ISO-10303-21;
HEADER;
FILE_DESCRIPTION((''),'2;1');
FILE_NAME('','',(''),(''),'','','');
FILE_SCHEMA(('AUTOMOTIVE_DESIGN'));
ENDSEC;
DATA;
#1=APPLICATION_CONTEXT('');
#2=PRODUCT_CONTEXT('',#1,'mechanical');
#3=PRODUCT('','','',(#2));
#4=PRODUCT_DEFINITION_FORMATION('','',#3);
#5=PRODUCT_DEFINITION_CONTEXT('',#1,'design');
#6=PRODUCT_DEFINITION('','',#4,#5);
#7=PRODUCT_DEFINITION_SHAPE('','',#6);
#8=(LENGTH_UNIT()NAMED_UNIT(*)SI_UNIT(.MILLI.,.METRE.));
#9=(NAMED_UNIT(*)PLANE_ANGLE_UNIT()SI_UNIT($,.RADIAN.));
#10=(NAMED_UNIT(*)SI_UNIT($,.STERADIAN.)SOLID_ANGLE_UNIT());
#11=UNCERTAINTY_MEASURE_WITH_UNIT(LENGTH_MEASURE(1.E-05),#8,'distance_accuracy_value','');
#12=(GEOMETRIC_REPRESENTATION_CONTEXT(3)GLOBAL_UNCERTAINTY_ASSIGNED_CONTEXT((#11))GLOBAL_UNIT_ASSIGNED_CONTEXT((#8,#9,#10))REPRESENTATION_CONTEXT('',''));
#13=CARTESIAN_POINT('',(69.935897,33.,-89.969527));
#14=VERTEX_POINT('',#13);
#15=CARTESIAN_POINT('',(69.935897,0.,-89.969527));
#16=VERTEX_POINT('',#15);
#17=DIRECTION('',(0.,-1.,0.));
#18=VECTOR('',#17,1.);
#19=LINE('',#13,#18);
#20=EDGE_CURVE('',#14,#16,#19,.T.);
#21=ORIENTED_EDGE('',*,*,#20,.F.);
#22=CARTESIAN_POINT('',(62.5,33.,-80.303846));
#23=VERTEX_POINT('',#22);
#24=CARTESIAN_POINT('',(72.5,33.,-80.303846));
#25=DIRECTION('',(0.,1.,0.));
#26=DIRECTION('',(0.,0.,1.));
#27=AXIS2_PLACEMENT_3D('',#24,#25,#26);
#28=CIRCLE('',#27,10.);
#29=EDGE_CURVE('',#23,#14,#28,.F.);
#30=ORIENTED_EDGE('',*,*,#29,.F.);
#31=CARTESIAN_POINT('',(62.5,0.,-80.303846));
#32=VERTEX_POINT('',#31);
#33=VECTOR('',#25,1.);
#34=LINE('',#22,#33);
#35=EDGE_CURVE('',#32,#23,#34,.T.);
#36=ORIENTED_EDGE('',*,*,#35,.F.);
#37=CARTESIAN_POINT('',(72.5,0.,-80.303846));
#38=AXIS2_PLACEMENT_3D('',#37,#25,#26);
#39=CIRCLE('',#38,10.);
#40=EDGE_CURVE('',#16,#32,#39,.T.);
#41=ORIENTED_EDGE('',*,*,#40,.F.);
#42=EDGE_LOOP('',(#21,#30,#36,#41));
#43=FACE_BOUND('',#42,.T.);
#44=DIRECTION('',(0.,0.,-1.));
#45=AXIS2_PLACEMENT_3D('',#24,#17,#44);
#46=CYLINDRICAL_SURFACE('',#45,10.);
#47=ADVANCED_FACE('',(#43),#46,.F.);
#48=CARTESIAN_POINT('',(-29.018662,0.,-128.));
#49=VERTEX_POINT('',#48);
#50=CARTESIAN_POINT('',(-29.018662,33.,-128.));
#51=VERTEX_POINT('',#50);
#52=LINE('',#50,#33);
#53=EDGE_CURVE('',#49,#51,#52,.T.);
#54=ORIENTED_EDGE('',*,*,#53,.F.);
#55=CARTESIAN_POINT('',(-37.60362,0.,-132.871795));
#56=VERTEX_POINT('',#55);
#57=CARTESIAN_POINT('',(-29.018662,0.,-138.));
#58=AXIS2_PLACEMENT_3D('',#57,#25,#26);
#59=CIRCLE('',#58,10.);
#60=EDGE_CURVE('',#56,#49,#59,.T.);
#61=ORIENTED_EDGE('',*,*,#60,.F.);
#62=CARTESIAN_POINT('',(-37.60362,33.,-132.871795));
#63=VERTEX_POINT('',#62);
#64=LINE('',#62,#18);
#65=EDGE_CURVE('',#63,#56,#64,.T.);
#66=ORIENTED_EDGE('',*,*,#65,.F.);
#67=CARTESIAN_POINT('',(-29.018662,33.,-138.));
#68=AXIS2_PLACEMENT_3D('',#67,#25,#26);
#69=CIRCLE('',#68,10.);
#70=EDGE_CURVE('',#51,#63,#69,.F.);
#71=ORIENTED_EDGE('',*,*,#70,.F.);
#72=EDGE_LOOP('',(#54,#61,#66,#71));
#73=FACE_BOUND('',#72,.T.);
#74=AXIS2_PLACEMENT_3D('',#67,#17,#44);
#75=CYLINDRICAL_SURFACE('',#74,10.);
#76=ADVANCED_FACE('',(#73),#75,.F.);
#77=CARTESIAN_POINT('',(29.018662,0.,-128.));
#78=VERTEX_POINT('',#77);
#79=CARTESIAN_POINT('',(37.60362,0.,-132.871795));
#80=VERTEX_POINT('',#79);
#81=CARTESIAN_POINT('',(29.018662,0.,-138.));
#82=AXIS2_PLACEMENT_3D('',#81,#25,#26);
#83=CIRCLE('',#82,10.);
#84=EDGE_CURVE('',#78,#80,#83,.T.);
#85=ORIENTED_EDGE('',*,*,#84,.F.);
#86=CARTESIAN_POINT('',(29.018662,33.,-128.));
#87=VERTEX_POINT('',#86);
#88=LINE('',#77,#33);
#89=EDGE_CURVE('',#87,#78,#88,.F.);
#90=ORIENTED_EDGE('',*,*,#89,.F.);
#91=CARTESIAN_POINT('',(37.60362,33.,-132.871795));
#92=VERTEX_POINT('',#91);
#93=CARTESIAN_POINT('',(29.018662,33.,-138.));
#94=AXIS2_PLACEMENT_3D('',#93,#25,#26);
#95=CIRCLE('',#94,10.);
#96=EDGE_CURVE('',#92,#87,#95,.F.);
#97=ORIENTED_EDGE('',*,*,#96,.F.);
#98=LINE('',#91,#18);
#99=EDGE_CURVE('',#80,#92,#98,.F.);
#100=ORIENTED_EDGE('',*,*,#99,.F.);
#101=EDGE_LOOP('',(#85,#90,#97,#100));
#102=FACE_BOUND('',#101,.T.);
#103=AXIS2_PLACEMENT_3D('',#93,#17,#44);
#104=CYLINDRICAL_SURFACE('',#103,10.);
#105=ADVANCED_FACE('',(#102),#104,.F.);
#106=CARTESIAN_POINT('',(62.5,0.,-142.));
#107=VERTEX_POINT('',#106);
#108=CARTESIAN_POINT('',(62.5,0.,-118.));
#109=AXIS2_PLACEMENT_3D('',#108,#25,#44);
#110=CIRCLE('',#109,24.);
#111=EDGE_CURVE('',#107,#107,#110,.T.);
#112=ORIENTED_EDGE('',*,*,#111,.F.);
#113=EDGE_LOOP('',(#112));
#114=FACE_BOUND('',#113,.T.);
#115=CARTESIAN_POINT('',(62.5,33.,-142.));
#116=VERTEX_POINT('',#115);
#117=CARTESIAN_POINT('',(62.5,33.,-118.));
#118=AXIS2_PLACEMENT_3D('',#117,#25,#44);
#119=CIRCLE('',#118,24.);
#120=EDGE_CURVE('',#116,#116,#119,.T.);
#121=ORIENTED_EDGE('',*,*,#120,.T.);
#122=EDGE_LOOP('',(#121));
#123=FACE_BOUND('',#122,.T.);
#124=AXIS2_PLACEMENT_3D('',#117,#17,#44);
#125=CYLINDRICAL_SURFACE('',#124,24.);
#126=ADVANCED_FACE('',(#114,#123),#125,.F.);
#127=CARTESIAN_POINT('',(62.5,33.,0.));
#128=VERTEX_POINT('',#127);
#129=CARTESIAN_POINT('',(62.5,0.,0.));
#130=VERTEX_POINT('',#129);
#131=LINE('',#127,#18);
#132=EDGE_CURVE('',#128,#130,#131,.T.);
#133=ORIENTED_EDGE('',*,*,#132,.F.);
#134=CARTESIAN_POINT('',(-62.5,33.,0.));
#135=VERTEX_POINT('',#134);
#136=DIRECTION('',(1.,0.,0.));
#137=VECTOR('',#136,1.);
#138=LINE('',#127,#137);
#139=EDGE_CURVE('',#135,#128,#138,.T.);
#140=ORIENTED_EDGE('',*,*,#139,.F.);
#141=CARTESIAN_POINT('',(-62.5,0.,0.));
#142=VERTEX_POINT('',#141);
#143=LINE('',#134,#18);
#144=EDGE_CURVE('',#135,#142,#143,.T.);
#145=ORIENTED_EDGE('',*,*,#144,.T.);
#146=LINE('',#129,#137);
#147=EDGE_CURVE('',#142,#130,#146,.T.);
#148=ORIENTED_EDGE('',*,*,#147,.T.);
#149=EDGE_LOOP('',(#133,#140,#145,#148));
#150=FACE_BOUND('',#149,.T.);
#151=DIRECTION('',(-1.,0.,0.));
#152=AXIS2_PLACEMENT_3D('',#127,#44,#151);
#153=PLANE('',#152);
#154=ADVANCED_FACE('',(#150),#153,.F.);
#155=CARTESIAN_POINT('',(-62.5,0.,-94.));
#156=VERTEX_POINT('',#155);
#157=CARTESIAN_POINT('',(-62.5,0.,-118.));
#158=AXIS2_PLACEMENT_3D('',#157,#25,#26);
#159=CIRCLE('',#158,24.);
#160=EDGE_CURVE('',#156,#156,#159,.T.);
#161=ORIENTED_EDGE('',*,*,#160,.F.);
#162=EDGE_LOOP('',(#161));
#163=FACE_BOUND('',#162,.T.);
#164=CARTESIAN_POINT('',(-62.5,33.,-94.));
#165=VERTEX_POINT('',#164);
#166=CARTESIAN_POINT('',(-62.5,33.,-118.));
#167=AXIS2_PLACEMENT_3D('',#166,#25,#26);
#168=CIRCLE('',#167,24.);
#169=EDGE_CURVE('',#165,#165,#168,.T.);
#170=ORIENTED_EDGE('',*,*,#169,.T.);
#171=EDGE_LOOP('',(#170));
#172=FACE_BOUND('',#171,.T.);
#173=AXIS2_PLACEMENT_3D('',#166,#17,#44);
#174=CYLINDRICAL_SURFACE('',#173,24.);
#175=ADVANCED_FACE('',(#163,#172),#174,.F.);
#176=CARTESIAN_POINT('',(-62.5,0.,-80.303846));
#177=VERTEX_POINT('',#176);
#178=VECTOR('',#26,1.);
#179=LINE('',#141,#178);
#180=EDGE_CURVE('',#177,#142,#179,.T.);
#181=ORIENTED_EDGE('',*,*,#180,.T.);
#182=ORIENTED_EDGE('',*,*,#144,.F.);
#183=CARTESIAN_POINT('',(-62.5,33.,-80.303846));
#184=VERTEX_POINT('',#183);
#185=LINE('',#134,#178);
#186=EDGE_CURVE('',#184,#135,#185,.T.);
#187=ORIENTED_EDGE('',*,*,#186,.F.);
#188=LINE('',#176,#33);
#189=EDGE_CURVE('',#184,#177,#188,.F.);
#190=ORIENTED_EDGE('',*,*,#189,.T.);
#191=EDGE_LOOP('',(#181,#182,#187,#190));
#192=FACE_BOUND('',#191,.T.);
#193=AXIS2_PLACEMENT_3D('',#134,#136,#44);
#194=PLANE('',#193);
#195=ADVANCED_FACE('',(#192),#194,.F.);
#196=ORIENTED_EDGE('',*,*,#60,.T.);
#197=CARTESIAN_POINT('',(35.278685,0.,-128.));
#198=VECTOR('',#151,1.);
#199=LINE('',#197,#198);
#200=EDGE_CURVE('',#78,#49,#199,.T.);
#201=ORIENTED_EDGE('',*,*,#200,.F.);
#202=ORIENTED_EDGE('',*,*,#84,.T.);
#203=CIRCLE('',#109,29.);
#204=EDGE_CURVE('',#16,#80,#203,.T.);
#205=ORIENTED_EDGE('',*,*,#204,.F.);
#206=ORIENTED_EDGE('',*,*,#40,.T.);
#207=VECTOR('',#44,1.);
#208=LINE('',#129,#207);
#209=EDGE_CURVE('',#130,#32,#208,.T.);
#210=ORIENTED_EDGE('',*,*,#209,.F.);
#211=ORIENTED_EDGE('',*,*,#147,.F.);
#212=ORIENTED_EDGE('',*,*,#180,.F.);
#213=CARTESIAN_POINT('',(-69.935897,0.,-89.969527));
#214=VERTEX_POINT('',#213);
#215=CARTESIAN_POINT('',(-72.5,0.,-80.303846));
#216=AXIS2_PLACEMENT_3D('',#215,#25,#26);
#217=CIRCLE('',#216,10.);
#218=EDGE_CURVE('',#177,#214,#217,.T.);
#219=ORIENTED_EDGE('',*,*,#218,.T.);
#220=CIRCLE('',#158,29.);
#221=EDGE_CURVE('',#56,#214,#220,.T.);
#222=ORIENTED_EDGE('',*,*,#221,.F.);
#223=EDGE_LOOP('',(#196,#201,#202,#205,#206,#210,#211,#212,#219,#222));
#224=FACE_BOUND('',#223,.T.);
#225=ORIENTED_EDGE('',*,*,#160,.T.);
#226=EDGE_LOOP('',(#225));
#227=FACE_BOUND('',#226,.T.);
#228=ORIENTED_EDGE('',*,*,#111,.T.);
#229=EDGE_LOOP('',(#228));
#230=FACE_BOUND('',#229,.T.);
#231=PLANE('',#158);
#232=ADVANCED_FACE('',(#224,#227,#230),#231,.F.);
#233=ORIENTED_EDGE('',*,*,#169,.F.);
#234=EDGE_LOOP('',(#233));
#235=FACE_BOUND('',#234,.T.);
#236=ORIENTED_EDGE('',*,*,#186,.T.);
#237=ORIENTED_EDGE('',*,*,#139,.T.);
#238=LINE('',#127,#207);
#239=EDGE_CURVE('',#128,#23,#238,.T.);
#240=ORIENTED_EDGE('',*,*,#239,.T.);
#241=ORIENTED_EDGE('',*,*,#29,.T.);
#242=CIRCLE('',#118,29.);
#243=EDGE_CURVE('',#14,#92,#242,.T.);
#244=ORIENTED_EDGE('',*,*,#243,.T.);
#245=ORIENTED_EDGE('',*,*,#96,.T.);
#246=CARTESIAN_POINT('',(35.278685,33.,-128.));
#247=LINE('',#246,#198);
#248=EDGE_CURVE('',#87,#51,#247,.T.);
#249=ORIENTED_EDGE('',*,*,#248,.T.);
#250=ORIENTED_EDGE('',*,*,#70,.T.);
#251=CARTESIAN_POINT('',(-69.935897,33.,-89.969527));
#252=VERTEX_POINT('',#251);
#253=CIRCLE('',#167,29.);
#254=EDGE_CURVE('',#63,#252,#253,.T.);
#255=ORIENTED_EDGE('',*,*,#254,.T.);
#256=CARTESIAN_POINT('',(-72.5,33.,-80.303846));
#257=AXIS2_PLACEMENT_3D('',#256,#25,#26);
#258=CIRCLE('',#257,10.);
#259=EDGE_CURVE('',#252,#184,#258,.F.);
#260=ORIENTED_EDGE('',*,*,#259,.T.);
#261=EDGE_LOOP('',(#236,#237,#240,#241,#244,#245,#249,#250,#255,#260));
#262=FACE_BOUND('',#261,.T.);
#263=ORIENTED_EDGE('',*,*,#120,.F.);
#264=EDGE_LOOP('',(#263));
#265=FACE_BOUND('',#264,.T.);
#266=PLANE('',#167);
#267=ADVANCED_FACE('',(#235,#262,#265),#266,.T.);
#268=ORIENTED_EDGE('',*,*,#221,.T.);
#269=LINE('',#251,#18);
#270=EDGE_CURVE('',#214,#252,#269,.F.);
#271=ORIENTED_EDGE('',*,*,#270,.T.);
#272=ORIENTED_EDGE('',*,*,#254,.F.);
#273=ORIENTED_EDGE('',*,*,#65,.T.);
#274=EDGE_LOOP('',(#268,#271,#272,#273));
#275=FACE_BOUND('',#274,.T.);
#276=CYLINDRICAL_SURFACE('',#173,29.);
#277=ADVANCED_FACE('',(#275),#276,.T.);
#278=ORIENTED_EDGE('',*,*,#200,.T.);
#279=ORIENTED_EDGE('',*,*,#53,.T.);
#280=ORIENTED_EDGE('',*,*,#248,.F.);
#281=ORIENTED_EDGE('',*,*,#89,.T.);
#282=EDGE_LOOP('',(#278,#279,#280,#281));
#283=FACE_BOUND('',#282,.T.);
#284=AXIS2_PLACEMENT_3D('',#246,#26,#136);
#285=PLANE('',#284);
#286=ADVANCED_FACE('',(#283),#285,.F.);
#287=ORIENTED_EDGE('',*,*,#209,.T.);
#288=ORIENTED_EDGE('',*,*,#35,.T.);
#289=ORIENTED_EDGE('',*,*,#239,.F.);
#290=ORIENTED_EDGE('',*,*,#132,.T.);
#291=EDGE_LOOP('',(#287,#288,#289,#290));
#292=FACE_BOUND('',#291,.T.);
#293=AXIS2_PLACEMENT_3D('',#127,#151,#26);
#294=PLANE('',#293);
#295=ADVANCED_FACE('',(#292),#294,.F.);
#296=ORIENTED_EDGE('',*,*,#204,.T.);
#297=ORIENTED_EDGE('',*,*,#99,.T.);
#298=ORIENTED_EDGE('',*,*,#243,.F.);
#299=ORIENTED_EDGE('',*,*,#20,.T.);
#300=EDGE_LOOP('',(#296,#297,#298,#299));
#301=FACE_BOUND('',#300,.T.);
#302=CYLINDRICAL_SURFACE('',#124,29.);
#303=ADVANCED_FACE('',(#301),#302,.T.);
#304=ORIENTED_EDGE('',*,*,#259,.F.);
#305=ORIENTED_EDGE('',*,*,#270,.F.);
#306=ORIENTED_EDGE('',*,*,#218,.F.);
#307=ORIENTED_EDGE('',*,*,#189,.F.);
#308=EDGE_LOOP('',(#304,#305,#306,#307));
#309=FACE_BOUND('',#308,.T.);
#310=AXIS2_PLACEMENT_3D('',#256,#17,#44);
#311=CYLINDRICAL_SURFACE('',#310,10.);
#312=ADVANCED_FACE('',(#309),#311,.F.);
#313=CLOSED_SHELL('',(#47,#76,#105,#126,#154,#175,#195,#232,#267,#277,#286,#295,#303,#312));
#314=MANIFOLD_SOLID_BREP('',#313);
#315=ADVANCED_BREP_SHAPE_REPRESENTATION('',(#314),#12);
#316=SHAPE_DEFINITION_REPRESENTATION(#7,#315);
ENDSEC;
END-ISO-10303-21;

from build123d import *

# Parameters (mm, degrees)
SKETCH1_R           = 24
BOSS_EXTRUDE1_DEPTH = 33
FILLET1_R           = 10


with BuildPart() as part:
    # Sketch1 → Boss-Extrude1 (new body)
    with BuildSketch(Plane(origin=(0, 0, 0), x_dir=(1, 0, 0), z_dir=(0, 1, 0))):
        with BuildLine():
            Line((62.5, 0), (-62.5, 0))
            Line((-62.5, 0), (-62.5, 89))
            ThreePointArc((-62.5, 89), (-86.280243901, 134.598192673), (-35.278684822, 128))
            Line((-35.278684822, 128), (35.278684822, 128))
            ThreePointArc((35.278684822, 128), (86.280243901, 134.598192673), (62.5, 89))
            Line((62.5, 89), (62.5, 0))
        make_face()
        with Locations((-62.5, 118)):
            Circle(SKETCH1_R, mode=Mode.SUBTRACT)
        with Locations((62.5, 118)):
            Circle(SKETCH1_R, mode=Mode.SUBTRACT)
    extrude(amount=BOSS_EXTRUDE1_DEPTH)

    # Fillet1
    fillet1_edges = [part.edges().sort_by_distance(p)[0] for p in [
        (-62.5, 16.5, -89),
        (-35.278684822, 16.5, -128),
        (35.278684822, 16.5, -128),
        (62.5, 16.5, -89),
    ]]
    fillet(fillet1_edges, radius=FILLET1_R)


solid = part.part
